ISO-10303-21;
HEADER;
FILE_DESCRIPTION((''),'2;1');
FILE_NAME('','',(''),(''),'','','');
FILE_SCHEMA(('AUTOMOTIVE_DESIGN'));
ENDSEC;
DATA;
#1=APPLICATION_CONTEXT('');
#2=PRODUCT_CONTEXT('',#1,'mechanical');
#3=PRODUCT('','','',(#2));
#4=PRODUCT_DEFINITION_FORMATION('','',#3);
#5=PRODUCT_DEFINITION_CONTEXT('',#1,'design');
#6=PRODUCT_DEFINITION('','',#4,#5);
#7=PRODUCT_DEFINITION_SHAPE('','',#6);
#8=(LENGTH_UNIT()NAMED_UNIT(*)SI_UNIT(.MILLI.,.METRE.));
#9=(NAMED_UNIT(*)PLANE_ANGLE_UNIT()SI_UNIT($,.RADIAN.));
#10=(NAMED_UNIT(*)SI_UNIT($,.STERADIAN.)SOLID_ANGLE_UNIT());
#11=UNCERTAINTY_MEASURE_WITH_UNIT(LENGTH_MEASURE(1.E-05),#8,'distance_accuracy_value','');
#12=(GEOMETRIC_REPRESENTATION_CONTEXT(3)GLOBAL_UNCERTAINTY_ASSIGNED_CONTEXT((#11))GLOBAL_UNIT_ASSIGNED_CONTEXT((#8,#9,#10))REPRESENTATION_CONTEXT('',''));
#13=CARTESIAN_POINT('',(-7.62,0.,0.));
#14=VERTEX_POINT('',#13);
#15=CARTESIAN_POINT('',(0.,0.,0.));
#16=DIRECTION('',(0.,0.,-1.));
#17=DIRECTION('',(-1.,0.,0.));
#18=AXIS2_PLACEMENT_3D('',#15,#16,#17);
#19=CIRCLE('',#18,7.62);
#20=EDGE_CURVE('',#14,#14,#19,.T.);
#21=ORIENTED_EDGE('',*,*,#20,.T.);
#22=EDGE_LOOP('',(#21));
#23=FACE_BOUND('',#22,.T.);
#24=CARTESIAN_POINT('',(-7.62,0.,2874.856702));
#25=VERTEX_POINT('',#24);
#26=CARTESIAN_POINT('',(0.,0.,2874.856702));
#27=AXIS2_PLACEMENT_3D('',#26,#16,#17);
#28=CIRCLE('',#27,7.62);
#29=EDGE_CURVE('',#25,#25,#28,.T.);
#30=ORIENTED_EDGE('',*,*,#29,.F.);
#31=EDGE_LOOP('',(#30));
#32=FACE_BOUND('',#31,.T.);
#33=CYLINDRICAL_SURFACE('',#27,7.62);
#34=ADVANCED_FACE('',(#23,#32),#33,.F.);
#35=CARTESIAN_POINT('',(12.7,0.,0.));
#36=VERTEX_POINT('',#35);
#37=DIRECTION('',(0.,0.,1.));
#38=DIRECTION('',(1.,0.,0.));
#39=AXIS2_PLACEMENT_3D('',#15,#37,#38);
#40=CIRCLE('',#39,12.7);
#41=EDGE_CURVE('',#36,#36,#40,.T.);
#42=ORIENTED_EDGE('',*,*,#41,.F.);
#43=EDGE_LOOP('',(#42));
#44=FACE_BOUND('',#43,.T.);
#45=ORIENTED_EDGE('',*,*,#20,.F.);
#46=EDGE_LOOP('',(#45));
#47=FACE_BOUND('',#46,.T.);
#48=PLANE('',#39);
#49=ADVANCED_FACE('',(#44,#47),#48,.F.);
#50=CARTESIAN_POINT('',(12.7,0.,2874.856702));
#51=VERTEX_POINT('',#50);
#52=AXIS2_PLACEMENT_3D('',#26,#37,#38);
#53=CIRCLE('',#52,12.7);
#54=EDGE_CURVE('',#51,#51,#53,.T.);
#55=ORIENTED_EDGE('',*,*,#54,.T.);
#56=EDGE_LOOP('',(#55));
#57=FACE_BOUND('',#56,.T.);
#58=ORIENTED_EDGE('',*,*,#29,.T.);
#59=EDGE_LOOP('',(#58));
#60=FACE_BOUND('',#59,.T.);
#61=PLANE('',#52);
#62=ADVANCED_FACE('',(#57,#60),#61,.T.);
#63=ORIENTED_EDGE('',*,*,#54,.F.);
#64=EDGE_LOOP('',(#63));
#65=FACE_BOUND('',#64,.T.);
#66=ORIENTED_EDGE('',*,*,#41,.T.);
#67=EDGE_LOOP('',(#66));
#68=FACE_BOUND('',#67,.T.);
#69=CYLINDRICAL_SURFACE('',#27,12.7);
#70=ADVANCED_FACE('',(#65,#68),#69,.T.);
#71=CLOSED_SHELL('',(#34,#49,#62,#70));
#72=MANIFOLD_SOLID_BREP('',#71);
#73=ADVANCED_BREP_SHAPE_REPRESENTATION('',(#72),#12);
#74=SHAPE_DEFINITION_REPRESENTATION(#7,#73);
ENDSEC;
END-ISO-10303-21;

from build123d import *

# Parameters (mm, degrees)
SKETCH2_R           = 12.7
BOSS_EXTRUDE2_DEPTH = 2874.856702476
SKETCH4_R           = 7.62
CUT_EXTRUDE2_DEPTH  = 2874.856702476


with BuildPart() as part:
    # Sketch2 → Boss-Extrude2 (new body)
    with BuildSketch(Plane.XY):
        Circle(SKETCH2_R)
    extrude(amount=BOSS_EXTRUDE2_DEPTH)

    # Sketch4 → Cut-Extrude2 (cut)
    with BuildSketch(Plane(origin=(0, 0, 0), x_dir=(-1, 0, 0), z_dir=(0, 0, -1))):
        Circle(SKETCH4_R)
    extrude(amount=-CUT_EXTRUDE2_DEPTH, mode=Mode.SUBTRACT)


solid = part.part
